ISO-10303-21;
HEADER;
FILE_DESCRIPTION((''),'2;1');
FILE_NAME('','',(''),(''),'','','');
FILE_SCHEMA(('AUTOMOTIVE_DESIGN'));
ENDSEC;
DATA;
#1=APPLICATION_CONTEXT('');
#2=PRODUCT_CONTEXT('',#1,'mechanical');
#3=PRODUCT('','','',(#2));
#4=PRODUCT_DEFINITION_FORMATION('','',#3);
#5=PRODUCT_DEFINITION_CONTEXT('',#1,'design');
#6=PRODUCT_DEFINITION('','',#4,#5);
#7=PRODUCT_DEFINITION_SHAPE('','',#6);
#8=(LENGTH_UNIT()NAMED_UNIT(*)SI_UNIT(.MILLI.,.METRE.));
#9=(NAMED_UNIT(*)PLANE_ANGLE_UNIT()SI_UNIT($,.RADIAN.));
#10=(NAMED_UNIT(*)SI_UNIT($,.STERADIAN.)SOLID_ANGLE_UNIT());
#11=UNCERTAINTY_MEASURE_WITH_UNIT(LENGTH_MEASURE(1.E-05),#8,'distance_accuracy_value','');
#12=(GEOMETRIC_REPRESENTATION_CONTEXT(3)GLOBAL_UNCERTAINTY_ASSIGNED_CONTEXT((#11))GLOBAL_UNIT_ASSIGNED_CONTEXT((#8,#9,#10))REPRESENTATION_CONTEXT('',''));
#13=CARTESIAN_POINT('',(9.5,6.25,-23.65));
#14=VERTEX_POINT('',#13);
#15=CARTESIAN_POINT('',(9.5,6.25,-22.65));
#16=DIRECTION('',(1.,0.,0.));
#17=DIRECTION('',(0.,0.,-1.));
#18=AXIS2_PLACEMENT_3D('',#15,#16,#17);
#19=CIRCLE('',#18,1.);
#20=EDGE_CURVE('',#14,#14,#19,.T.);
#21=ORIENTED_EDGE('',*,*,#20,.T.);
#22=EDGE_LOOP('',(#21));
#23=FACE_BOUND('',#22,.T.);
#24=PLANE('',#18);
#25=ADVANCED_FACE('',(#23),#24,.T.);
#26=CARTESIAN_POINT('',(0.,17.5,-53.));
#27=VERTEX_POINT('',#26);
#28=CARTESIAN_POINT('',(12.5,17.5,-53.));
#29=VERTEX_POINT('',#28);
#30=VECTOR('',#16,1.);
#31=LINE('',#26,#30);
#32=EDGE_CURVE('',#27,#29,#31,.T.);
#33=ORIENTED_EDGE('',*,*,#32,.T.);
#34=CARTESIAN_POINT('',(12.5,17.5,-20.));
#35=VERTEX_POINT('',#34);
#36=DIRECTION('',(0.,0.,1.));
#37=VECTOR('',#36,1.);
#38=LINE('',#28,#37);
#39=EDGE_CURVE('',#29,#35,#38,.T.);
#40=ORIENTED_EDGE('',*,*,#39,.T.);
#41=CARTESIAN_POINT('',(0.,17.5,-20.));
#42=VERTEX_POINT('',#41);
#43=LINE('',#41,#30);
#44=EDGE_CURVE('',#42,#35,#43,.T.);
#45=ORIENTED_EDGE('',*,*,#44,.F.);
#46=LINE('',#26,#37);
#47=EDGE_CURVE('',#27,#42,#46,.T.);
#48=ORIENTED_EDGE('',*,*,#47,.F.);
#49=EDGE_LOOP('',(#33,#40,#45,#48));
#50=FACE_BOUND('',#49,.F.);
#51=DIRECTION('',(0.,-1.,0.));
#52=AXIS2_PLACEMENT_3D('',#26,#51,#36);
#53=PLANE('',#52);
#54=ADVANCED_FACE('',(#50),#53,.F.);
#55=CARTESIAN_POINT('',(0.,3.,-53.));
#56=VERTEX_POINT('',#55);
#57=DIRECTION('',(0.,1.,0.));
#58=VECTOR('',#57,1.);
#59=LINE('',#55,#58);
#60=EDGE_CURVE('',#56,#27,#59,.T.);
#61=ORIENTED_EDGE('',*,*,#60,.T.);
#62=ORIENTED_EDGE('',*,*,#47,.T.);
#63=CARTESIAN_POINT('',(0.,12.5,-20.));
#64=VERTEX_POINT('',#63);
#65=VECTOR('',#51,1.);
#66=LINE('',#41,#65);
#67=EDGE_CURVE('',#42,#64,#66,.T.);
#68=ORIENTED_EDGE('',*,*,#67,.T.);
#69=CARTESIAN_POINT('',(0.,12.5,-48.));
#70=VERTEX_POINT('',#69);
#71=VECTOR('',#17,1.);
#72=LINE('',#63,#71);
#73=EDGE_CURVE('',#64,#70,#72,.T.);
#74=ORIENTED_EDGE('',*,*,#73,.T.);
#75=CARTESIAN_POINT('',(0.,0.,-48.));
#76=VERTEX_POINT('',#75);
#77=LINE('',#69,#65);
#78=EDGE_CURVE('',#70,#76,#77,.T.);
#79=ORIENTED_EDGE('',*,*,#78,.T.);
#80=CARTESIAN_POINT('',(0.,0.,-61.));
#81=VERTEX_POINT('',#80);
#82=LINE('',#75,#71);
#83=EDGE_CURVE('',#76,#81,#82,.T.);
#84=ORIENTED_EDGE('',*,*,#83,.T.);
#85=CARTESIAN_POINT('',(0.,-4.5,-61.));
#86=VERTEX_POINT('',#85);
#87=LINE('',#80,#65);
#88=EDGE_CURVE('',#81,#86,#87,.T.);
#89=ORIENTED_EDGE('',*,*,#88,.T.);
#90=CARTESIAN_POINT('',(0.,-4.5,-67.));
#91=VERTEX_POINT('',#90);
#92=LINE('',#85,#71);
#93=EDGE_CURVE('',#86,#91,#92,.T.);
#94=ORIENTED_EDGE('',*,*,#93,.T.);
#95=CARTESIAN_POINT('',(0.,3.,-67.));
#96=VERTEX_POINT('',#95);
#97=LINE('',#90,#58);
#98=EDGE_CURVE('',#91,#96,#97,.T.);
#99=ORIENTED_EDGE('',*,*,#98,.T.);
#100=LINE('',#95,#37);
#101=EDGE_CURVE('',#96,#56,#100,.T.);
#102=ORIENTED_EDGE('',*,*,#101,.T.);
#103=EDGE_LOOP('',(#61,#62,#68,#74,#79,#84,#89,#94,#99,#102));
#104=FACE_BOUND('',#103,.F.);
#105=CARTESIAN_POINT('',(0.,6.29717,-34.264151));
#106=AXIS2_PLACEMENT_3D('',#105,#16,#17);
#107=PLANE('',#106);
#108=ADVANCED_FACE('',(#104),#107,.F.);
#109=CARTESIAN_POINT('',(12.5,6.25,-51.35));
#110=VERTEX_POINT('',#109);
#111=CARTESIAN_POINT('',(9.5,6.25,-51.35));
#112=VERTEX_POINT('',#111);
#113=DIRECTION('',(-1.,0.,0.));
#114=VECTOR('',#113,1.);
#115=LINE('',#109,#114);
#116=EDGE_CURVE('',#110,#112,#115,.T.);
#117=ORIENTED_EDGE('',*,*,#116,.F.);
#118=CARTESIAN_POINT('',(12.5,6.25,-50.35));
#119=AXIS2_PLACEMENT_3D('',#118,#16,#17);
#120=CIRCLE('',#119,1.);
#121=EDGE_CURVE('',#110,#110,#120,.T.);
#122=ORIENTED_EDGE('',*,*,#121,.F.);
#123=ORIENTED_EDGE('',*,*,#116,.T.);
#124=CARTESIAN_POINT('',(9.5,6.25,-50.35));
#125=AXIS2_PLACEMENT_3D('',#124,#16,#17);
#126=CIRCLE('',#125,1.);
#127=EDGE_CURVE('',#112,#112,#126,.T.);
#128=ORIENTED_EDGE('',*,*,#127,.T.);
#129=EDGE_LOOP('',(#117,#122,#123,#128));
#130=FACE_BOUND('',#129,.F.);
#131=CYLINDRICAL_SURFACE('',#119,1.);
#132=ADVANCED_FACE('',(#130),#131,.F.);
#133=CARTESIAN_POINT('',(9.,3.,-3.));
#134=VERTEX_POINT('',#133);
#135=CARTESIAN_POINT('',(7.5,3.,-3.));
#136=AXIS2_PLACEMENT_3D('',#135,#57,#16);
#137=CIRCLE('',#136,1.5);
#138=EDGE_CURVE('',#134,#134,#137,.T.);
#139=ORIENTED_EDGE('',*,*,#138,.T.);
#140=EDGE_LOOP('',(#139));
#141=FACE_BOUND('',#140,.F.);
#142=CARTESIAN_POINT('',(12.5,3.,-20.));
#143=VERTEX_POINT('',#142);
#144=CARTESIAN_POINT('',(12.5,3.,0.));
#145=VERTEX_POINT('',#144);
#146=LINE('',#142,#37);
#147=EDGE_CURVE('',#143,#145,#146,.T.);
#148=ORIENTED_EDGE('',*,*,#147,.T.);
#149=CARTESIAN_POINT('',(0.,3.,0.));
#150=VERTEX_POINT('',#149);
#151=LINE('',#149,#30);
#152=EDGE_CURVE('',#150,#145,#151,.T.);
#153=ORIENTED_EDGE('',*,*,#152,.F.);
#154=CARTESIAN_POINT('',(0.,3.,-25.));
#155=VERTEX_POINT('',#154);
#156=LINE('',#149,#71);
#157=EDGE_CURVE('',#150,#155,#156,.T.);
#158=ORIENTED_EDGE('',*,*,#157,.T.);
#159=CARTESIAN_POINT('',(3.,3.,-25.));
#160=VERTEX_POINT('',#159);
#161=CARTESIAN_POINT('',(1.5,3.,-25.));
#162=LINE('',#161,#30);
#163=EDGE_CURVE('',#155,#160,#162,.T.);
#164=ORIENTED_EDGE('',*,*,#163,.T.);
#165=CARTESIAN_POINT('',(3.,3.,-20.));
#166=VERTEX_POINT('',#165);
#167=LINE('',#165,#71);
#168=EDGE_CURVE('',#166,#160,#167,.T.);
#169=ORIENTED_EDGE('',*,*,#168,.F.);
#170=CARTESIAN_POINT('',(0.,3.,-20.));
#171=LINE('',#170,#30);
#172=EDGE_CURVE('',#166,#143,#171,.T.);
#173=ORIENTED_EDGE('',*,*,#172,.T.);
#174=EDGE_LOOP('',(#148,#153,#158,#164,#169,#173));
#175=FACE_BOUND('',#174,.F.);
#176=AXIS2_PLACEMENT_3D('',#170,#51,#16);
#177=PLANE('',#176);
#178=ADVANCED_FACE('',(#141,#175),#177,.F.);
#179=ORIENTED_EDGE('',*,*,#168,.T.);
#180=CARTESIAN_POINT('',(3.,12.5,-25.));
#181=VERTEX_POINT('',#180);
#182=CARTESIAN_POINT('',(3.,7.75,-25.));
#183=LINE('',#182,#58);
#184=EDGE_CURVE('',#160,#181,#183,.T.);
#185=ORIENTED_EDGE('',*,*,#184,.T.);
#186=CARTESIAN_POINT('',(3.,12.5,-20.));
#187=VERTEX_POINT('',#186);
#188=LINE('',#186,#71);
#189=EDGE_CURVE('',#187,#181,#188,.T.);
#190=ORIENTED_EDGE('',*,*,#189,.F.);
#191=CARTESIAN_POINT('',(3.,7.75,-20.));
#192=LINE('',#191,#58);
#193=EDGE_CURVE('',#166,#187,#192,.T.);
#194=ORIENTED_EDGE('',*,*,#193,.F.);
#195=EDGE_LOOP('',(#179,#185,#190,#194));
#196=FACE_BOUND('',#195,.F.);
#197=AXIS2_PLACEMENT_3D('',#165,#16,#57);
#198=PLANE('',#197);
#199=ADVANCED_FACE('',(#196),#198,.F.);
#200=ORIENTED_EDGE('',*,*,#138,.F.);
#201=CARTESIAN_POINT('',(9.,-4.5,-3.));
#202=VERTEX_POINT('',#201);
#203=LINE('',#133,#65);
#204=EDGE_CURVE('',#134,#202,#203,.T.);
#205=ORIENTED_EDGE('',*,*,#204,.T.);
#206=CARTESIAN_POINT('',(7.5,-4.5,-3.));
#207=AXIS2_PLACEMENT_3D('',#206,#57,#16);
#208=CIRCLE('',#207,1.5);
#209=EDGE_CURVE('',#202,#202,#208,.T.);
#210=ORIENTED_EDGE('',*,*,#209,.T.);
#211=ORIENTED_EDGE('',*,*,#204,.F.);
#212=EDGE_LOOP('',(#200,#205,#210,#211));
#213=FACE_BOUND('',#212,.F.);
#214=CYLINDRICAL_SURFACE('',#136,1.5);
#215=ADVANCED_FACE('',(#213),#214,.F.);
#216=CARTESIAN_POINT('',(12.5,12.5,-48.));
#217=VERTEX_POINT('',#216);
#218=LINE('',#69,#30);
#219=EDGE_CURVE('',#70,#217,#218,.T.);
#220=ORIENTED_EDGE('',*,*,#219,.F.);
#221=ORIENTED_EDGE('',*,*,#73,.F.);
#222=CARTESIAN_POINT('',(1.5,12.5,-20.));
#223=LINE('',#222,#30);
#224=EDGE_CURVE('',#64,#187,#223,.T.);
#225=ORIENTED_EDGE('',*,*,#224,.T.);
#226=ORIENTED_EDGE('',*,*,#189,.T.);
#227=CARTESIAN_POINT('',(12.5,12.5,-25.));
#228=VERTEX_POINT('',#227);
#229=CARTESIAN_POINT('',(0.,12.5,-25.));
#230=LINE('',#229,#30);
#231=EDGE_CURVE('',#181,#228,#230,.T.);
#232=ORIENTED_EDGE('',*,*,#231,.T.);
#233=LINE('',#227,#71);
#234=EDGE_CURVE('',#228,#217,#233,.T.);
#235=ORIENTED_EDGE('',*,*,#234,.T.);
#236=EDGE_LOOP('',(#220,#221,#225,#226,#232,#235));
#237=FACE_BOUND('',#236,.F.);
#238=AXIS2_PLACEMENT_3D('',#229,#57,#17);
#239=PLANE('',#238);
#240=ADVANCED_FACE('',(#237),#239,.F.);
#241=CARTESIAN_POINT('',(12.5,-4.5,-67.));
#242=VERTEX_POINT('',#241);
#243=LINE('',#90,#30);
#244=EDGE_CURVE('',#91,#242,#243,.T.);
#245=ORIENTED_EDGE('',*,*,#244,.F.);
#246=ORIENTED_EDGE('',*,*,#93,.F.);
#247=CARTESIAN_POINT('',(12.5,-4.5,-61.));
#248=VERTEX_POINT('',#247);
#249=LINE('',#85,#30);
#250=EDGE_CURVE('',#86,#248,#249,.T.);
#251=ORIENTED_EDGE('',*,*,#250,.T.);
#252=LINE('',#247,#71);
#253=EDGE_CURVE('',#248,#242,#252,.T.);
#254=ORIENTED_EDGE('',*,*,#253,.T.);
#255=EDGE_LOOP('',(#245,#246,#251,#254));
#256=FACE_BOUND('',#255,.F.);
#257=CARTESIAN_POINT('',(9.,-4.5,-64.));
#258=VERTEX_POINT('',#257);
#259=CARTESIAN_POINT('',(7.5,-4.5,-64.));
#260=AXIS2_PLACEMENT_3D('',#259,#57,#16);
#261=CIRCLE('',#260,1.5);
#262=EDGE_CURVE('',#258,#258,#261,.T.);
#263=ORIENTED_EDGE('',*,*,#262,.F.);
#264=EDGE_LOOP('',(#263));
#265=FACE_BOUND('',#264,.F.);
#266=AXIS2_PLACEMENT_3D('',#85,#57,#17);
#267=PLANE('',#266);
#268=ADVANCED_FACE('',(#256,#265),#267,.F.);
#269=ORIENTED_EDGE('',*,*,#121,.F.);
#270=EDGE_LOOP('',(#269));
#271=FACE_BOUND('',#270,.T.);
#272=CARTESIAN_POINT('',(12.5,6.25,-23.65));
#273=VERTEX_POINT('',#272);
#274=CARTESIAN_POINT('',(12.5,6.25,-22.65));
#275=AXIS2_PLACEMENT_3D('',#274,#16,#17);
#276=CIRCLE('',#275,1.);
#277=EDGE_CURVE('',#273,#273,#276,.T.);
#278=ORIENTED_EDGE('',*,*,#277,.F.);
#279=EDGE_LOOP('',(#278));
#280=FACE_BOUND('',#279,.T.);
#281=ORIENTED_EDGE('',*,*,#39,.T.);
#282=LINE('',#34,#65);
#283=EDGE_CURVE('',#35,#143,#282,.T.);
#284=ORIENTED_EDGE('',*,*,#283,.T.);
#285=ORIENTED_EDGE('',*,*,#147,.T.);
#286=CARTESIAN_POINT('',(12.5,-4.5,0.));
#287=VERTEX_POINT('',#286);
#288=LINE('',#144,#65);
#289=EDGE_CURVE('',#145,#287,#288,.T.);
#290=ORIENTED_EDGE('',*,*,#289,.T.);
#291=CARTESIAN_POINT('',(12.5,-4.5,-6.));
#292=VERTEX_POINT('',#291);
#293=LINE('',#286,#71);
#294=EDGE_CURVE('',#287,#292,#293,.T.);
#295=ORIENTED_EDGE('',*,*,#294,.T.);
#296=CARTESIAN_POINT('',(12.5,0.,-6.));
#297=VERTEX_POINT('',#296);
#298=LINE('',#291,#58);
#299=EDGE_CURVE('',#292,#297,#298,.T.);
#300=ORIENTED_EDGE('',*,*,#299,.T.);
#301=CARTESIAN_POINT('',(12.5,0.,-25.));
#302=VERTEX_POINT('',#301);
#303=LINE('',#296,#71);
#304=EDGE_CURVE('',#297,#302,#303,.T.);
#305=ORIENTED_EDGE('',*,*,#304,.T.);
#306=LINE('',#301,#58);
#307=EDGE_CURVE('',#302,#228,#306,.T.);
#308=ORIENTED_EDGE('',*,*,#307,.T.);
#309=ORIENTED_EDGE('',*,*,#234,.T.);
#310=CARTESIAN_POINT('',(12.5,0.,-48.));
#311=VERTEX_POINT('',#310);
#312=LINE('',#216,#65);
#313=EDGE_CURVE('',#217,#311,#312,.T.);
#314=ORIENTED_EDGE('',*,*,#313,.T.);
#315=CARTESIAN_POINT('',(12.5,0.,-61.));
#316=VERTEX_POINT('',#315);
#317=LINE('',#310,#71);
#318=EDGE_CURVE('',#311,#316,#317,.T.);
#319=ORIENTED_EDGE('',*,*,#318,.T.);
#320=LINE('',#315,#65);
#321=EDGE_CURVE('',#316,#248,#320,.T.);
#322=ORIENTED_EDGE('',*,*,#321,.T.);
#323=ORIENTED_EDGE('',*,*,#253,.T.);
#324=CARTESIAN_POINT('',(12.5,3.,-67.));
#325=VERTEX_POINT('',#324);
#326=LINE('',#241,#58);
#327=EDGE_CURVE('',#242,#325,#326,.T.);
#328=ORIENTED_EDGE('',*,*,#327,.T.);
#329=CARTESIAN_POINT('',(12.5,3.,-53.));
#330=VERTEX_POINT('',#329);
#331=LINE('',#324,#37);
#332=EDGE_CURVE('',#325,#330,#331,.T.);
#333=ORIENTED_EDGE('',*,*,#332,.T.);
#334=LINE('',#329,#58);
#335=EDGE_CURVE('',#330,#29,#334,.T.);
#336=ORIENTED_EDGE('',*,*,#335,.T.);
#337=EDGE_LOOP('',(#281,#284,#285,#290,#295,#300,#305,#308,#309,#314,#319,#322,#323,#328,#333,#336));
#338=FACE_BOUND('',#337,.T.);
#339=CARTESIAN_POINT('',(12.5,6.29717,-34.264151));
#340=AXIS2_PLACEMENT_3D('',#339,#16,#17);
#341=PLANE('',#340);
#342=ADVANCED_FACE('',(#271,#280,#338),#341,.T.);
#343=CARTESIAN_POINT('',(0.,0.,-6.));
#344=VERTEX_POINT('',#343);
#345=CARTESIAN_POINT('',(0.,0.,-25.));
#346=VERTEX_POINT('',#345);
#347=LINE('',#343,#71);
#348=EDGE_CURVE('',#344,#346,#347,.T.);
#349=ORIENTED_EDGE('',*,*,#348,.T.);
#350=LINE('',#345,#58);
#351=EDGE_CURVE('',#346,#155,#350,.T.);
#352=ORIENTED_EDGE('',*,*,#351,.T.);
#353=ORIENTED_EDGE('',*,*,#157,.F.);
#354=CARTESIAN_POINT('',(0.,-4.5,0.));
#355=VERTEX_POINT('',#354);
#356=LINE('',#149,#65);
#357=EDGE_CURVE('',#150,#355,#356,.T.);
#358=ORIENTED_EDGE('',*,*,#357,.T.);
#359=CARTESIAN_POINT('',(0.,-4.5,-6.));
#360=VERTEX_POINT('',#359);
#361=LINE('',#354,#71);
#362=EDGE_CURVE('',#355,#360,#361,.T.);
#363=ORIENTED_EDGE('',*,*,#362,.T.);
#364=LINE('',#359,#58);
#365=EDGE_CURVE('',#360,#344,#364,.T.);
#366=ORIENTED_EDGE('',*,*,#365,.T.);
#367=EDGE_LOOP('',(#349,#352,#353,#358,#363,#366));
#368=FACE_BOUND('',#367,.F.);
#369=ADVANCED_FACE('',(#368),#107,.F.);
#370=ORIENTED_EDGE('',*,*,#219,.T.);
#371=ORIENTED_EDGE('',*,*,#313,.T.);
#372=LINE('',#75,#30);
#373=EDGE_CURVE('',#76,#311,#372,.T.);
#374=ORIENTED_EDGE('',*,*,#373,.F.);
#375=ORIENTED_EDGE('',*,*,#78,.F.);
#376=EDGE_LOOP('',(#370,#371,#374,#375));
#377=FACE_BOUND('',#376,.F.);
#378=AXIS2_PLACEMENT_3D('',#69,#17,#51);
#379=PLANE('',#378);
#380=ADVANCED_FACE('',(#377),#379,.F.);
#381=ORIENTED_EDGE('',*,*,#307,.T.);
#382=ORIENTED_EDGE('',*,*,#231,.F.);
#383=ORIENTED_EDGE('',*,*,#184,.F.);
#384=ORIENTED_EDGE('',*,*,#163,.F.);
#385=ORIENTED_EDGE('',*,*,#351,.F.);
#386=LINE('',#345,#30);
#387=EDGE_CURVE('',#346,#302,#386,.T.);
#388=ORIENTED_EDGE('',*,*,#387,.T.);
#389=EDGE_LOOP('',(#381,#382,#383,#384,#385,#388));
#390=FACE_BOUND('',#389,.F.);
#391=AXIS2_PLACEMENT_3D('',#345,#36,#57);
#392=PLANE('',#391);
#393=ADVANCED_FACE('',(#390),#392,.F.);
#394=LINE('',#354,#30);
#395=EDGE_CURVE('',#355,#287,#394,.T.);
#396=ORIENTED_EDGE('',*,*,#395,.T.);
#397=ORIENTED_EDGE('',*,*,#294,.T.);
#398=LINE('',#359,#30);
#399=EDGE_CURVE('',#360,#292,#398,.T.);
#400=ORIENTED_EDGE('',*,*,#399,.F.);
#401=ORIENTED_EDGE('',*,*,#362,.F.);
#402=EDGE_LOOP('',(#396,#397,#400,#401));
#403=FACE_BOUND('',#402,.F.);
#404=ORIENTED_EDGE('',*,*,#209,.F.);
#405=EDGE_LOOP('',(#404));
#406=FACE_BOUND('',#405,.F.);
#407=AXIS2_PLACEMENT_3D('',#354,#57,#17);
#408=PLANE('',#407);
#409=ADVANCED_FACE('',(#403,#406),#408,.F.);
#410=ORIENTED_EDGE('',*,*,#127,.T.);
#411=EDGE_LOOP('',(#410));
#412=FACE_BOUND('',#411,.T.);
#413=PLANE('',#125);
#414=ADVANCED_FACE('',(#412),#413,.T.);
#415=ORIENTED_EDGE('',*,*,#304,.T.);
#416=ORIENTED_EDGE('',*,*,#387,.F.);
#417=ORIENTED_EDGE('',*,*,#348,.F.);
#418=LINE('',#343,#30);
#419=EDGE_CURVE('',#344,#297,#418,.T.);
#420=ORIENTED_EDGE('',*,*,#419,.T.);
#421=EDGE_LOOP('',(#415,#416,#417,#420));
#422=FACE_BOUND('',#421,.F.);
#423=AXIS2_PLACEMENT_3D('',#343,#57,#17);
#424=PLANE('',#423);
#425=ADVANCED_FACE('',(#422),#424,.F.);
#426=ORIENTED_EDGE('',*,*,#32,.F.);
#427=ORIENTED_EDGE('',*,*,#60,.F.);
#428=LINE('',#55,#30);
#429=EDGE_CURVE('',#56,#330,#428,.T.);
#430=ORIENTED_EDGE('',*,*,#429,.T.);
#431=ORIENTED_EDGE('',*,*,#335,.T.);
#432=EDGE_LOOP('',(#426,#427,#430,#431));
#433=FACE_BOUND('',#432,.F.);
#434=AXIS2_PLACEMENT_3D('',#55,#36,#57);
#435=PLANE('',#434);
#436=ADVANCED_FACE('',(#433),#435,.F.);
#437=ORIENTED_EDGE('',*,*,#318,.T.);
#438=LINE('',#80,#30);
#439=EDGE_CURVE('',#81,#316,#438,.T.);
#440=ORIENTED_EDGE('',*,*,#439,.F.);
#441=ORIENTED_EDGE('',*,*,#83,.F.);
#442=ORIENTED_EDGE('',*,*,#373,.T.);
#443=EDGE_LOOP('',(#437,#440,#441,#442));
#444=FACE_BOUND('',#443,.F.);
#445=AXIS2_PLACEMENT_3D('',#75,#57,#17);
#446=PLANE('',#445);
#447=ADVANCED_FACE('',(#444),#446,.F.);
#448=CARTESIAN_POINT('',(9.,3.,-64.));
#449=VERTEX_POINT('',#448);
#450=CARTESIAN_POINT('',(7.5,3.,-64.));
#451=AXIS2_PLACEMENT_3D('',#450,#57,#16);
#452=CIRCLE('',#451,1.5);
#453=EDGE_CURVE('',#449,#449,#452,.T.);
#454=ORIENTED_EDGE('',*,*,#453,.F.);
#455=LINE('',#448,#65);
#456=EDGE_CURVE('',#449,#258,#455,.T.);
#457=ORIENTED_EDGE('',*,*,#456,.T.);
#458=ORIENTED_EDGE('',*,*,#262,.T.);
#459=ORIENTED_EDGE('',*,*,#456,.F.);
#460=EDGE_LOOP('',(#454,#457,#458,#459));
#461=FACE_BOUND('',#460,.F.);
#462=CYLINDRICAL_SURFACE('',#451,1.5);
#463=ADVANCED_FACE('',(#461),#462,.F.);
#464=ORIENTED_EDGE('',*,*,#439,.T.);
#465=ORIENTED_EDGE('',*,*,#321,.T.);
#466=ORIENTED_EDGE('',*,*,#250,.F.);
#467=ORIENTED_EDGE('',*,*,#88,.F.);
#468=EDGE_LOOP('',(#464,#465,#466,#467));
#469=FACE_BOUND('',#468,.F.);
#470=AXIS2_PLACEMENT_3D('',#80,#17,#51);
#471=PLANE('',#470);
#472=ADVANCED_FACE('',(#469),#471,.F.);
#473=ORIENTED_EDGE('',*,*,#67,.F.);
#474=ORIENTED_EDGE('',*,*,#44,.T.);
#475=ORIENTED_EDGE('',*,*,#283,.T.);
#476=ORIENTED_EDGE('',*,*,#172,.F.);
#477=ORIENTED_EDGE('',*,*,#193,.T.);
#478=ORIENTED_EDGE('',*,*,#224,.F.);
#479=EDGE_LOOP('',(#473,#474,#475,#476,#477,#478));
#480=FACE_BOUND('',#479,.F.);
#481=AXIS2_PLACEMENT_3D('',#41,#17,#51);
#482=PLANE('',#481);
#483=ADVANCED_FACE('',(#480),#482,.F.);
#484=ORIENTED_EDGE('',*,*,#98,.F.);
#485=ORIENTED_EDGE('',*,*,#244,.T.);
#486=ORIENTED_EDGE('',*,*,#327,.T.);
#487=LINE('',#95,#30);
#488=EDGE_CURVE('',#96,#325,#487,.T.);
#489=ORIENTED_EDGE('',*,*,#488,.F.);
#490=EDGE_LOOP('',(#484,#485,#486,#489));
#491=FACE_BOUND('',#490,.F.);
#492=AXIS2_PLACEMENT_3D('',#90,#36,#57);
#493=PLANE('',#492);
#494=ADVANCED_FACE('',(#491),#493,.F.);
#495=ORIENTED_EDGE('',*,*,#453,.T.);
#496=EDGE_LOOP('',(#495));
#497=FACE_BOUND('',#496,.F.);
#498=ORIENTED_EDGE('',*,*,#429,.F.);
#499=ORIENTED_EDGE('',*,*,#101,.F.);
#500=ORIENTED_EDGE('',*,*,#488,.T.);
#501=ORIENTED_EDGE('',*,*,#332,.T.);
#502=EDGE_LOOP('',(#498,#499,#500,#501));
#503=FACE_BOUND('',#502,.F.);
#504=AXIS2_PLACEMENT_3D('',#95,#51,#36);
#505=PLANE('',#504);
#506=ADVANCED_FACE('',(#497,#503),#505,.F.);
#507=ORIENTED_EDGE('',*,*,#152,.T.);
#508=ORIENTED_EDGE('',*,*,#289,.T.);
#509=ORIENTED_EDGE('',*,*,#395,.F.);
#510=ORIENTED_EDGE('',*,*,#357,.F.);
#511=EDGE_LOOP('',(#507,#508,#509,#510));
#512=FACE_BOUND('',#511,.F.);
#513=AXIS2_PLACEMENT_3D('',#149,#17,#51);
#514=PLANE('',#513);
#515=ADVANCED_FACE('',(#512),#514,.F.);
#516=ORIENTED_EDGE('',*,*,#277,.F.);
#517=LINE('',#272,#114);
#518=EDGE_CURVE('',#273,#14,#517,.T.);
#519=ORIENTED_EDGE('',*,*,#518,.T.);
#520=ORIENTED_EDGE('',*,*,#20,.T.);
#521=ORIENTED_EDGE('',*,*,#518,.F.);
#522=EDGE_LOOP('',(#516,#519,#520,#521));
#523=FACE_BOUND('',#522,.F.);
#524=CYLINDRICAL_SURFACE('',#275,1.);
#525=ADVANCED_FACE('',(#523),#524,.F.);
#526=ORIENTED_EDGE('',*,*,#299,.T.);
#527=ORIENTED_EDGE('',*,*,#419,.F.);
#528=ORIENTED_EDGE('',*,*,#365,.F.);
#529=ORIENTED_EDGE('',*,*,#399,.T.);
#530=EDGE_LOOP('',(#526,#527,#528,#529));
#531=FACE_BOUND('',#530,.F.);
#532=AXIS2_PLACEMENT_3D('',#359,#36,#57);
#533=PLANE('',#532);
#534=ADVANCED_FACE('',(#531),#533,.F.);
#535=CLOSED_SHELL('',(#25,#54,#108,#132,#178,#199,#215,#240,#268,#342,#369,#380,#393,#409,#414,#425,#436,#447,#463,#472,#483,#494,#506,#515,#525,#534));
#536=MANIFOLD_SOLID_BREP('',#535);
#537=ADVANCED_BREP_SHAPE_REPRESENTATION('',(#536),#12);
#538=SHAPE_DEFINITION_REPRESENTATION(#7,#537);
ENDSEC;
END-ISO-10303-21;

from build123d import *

# Parameters (mm, degrees)
BOSS_EXTRUDE1_DEPTH = 12.5
SKETCH3_R           = 1.5
CUT_EXTRUDE1_DEPTH  = 12.5
SKETCH4_W           = 3
SKETCH4_H           = 9.5
CUT_EXTRUDE2_DEPTH  = 5
SKETCH5_R           = 1
CUT_EXTRUDE3_DEPTH  = 3


with BuildPart() as part:
    # Sketch2 → Boss-Extrude1 (new body)
    with BuildSketch(Plane(origin=(0, 0, 0), x_dir=(0, 0, -1), z_dir=(1, 0, 0))):
        Polygon((6, 0), (25, 0), (25, 12.5), (48, 12.5), (48, 0), (61, 0), (61, -4.5), (67, -4.5), (67, 0), (67, 3), (53, 3), (53, 17.5), (20, 17.5), (20, 3), (0, 3), (0, 0), (0, -4.5), (6, -4.5), align=None)
    extrude(amount=BOSS_EXTRUDE1_DEPTH)

    # Sketch3 → Cut-Extrude1 (cut)
    with BuildSketch(Plane(origin=(0, 3, 0), x_dir=(1, 0, 0), z_dir=(0, 1, 0))):
        with Locations((7.5, 3)):
            Circle(SKETCH3_R)
        with Locations((7.5, 64)):
            Circle(SKETCH3_R)
    extrude(amount=-CUT_EXTRUDE1_DEPTH, mode=Mode.SUBTRACT)

    # Sketch4 → Cut-Extrude2 (cut)
    with BuildSketch(Plane.XY.offset(-20)):
        with Locations((1.5, 7.75)):
            Rectangle(SKETCH4_W, SKETCH4_H)
    extrude(amount=-CUT_EXTRUDE2_DEPTH, mode=Mode.SUBTRACT)

    # Sketch5 → Cut-Extrude3 (cut)
    with BuildSketch(Plane(origin=(12.5, 0, 0), x_dir=(0, 0, -1), z_dir=(1, 0, 0))):
        with Locations((22.65, 6.25)):
            Circle(SKETCH5_R)
        with Locations((50.35, 6.25)):
            Circle(SKETCH5_R)
    extrude(amount=-CUT_EXTRUDE3_DEPTH, mode=Mode.SUBTRACT)


solid = part.part
